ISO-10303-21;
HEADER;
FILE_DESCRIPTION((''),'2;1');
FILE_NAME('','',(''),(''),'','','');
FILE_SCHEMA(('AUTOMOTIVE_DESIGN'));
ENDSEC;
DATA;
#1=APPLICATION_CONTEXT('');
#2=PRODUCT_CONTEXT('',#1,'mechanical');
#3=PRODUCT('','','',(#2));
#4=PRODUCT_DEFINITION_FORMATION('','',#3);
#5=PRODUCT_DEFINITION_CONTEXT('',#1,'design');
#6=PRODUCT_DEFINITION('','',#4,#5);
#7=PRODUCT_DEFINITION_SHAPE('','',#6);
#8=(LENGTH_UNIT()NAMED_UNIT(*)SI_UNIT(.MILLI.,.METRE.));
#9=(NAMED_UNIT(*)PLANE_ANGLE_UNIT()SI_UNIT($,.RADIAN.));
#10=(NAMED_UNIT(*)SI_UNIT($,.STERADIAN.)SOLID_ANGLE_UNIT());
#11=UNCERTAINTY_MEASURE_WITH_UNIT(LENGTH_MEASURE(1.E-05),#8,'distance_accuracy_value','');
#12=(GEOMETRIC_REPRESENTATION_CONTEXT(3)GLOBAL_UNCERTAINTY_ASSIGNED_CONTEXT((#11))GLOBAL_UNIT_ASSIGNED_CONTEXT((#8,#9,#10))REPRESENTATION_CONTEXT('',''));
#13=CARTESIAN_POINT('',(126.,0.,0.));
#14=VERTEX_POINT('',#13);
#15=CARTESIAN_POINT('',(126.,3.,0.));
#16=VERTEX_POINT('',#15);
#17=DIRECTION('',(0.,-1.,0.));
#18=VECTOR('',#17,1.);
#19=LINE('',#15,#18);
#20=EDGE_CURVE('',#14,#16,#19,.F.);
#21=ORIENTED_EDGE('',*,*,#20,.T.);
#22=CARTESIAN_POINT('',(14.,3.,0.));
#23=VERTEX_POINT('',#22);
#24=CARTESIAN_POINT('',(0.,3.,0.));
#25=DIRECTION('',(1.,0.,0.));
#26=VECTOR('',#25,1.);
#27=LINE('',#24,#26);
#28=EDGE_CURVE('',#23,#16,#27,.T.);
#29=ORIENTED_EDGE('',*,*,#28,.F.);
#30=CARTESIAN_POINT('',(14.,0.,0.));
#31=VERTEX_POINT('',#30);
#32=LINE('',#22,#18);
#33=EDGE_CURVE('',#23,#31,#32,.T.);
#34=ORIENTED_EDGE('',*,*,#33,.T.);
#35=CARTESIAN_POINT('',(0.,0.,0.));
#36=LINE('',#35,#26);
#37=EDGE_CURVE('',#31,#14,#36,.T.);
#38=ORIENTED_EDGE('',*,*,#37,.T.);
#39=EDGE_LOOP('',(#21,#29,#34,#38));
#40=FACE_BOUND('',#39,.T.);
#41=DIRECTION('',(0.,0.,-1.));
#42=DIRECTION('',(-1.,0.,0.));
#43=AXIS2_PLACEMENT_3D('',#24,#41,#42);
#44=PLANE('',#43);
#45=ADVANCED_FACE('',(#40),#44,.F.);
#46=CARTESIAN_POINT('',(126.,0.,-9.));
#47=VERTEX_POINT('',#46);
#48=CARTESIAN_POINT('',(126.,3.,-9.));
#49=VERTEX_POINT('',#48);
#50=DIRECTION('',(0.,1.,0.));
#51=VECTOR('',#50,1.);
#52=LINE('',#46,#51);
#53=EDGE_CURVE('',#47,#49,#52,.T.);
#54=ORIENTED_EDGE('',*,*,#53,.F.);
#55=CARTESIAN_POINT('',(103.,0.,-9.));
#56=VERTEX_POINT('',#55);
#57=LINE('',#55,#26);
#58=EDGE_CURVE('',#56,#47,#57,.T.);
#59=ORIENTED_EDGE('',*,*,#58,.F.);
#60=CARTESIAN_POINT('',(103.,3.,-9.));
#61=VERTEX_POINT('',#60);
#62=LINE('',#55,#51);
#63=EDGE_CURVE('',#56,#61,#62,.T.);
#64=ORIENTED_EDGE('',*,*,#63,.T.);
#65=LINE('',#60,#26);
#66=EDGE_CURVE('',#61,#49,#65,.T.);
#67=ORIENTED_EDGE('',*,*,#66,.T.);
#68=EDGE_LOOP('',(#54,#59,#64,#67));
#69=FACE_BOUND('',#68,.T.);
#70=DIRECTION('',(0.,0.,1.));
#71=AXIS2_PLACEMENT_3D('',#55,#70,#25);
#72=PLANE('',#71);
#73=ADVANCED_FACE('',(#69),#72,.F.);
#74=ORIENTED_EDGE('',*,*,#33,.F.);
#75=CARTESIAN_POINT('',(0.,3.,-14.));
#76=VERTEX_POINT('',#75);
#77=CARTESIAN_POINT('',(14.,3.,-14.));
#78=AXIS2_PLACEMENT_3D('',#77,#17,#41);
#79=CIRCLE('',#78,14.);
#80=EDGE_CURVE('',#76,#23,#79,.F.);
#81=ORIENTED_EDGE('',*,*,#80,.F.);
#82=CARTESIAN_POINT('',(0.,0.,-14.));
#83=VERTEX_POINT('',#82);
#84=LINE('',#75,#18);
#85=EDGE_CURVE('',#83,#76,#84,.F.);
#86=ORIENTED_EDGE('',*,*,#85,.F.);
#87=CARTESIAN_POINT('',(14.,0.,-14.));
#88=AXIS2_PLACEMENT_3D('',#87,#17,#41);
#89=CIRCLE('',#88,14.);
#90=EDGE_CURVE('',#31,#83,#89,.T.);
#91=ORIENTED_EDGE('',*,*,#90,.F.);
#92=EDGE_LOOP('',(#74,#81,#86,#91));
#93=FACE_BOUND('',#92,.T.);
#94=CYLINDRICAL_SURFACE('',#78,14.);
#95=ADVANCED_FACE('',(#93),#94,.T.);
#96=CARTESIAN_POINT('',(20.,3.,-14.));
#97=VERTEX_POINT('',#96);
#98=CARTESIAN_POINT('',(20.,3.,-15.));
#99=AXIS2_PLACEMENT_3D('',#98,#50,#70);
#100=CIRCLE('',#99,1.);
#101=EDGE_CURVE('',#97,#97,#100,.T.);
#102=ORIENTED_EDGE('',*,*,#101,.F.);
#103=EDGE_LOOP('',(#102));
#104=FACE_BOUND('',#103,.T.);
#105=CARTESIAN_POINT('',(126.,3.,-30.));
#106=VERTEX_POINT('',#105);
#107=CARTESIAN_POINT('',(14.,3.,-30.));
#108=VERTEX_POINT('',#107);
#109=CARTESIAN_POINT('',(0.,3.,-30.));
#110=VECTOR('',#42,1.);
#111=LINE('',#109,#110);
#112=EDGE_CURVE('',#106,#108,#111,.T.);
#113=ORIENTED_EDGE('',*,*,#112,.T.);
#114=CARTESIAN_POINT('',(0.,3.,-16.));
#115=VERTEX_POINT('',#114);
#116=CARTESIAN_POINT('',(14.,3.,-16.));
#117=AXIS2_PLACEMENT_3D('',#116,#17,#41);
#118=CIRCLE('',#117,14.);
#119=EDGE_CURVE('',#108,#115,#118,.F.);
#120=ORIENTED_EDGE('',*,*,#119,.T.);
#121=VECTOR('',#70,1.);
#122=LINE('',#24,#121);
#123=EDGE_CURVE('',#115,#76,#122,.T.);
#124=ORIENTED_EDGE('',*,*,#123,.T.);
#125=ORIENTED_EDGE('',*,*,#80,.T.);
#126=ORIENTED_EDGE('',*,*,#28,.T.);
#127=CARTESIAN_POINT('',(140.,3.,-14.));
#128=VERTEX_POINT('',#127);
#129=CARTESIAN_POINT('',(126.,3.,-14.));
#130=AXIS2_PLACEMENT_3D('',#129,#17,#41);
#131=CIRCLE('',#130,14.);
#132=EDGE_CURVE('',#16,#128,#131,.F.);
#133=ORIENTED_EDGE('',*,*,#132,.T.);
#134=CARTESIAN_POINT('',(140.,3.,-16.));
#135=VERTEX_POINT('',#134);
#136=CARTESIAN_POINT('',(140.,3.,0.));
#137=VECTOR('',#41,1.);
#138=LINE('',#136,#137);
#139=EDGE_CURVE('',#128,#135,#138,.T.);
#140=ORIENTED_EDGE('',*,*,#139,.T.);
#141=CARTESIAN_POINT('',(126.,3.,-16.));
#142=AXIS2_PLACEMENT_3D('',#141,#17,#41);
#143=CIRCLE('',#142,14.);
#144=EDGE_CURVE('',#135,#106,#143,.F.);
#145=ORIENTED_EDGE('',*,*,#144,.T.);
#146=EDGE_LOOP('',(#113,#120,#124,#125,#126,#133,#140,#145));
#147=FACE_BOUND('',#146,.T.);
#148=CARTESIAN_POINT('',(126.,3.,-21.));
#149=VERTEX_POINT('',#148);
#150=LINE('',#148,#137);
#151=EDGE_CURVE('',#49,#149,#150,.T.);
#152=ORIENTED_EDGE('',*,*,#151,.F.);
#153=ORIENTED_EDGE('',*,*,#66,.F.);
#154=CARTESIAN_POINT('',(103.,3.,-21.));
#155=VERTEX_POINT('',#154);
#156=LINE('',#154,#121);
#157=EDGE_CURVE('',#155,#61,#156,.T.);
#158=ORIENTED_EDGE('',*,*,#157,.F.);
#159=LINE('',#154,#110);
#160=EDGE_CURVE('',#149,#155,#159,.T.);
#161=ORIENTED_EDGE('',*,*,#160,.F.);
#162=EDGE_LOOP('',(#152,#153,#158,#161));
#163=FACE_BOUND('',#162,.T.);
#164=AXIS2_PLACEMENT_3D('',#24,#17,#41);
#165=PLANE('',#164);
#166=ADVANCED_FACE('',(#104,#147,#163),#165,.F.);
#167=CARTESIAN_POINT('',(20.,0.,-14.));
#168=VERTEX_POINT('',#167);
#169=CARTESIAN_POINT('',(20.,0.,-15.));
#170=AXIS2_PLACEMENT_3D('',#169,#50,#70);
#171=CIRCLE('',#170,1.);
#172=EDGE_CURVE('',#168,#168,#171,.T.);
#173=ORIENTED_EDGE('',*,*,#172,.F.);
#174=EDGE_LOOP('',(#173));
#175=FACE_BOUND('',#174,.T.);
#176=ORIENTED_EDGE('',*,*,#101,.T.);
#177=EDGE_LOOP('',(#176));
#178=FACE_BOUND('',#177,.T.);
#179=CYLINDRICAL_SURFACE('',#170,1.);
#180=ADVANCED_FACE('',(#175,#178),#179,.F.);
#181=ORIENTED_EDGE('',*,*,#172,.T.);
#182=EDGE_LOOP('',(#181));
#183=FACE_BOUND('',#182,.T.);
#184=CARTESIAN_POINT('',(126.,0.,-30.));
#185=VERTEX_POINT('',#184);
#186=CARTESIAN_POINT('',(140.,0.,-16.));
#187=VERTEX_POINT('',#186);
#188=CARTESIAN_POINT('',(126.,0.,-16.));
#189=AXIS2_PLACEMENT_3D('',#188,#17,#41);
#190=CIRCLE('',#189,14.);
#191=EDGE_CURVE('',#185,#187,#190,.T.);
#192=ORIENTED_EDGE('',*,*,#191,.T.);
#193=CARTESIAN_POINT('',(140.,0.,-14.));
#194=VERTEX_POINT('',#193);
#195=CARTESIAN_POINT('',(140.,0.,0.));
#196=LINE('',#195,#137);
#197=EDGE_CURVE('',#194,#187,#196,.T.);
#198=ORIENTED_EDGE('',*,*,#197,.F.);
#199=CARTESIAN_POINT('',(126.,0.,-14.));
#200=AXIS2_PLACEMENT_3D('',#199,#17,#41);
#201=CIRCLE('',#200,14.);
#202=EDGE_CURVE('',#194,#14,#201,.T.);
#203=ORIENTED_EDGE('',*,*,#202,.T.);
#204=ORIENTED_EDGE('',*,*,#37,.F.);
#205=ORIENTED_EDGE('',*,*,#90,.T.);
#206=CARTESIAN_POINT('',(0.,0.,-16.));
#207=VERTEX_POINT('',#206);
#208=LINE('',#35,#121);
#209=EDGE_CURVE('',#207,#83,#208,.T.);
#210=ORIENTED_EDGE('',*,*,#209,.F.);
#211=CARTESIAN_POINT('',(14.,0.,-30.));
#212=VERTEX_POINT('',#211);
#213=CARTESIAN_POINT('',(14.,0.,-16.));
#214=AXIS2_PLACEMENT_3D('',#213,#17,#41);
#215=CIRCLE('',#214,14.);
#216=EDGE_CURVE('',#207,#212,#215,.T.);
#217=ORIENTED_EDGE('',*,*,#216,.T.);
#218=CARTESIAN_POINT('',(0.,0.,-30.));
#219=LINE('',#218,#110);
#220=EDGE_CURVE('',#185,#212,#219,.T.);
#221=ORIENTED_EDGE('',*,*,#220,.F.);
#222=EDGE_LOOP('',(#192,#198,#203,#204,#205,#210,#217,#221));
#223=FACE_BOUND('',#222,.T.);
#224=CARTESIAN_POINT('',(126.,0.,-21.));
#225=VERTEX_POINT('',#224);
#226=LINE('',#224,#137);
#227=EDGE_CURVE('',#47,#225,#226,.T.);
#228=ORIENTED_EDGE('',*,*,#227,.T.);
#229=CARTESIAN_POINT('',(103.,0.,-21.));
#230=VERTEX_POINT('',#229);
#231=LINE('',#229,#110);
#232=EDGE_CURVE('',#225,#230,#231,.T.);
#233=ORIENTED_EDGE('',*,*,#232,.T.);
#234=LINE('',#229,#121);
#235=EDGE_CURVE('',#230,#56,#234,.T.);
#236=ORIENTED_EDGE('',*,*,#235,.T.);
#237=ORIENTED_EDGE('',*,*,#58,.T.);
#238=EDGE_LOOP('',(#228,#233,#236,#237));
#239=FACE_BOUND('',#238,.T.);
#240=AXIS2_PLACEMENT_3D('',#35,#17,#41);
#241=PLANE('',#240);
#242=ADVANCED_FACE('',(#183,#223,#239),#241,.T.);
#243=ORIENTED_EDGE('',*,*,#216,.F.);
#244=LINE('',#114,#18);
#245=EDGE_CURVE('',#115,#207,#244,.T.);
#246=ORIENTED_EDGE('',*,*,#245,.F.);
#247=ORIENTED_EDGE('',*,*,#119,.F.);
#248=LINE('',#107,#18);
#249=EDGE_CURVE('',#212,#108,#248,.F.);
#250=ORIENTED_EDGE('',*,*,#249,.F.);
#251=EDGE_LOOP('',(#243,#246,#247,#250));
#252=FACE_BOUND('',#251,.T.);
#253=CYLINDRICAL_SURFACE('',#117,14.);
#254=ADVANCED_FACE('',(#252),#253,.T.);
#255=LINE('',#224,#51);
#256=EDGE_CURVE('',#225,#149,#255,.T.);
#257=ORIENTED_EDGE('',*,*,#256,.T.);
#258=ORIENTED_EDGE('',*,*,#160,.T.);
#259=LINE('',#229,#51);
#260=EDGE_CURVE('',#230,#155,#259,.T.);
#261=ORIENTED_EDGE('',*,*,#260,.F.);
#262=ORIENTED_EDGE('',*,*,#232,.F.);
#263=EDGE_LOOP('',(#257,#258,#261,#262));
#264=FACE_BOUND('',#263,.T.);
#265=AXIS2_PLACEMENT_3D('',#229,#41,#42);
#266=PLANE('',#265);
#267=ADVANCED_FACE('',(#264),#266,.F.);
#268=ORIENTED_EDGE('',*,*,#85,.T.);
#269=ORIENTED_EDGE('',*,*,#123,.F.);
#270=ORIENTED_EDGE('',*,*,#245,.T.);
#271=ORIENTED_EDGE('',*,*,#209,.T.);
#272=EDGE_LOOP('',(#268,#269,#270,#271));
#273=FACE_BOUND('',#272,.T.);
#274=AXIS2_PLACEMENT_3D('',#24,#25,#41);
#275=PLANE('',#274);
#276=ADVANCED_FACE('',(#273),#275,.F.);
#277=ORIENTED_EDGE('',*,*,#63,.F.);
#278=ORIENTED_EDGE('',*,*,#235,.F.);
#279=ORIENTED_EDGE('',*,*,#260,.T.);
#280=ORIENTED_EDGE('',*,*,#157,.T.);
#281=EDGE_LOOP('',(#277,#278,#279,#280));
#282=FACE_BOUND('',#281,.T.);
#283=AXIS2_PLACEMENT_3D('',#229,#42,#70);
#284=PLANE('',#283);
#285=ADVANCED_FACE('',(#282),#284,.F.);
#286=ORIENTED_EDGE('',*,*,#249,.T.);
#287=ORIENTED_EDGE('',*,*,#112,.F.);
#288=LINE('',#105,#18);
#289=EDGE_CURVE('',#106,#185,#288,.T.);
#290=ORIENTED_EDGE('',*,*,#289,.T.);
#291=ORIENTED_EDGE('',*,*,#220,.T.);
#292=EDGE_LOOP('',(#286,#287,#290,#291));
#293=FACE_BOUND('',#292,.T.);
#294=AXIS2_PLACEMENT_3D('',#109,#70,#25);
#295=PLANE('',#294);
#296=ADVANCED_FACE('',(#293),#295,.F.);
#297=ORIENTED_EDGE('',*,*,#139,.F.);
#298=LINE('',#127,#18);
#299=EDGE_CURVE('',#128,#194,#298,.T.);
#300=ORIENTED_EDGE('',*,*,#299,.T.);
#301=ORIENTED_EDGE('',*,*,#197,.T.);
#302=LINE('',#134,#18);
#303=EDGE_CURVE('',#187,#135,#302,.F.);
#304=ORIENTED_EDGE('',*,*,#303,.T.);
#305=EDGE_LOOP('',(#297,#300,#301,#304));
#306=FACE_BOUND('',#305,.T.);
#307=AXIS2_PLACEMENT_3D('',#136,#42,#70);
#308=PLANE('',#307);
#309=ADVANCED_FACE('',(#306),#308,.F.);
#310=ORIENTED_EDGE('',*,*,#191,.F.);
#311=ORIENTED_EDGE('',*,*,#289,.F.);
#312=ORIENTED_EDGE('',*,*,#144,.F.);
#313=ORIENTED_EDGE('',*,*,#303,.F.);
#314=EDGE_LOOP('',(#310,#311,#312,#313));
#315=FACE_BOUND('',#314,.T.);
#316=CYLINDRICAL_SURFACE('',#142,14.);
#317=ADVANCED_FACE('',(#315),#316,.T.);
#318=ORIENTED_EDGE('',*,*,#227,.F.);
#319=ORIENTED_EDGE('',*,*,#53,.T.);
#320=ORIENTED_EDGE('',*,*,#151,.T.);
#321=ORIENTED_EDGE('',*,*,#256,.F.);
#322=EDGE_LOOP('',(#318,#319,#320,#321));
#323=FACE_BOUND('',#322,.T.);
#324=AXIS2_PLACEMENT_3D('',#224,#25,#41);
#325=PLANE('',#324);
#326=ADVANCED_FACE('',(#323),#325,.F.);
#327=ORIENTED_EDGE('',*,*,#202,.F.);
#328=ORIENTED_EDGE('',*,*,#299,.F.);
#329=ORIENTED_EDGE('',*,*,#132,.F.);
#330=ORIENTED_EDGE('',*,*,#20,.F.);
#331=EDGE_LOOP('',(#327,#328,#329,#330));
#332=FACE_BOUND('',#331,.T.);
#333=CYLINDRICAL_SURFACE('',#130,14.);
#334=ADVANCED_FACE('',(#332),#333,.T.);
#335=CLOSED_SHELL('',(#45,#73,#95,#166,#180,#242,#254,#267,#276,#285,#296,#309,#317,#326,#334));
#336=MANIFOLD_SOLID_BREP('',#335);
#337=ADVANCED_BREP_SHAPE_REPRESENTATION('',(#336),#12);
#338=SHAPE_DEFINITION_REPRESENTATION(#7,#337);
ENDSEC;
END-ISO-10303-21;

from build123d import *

# Parameters (mm, degrees)
SKETCH1_W           = 140
SKETCH1_H           = 30
BOSS_EXTRUDE1_DEPTH = 3
SKETCH2_R           = 1
SKETCH2_W           = 23
SKETCH2_H           = 12
CUT_EXTRUDE1_DEPTH  = 4
FILLET1_R           = 14


with BuildPart() as part:
    # Sketch1 → Boss-Extrude1 (new body)
    with BuildSketch(Plane(origin=(0, 0, 0), x_dir=(1, 0, 0), z_dir=(0, 1, 0))):
        with Locations((70, 15)):
            Rectangle(SKETCH1_W, SKETCH1_H)
    extrude(amount=BOSS_EXTRUDE1_DEPTH)

    # Sketch2 → Cut-Extrude1 (cut, through all)
    with BuildSketch(Plane(origin=(0, 3, 0), x_dir=(1, 0, 0), z_dir=(0, 1, 0))):
        with Locations((20, 15)):
            Circle(SKETCH2_R)
        with Locations((114.5, 15)):
            Rectangle(SKETCH2_W, SKETCH2_H)
    extrude(amount=-CUT_EXTRUDE1_DEPTH, mode=Mode.SUBTRACT)

    # Fillet1
    fillet1_edges = [part.edges().sort_by_distance(p)[0] for p in [
        (0, 1.5, -30),
        (140, 1.5, -30),
        (140, 1.5, 0),
        (0, 1.5, 0),
    ]]
    fillet(fillet1_edges, radius=FILLET1_R)


solid = part.part
